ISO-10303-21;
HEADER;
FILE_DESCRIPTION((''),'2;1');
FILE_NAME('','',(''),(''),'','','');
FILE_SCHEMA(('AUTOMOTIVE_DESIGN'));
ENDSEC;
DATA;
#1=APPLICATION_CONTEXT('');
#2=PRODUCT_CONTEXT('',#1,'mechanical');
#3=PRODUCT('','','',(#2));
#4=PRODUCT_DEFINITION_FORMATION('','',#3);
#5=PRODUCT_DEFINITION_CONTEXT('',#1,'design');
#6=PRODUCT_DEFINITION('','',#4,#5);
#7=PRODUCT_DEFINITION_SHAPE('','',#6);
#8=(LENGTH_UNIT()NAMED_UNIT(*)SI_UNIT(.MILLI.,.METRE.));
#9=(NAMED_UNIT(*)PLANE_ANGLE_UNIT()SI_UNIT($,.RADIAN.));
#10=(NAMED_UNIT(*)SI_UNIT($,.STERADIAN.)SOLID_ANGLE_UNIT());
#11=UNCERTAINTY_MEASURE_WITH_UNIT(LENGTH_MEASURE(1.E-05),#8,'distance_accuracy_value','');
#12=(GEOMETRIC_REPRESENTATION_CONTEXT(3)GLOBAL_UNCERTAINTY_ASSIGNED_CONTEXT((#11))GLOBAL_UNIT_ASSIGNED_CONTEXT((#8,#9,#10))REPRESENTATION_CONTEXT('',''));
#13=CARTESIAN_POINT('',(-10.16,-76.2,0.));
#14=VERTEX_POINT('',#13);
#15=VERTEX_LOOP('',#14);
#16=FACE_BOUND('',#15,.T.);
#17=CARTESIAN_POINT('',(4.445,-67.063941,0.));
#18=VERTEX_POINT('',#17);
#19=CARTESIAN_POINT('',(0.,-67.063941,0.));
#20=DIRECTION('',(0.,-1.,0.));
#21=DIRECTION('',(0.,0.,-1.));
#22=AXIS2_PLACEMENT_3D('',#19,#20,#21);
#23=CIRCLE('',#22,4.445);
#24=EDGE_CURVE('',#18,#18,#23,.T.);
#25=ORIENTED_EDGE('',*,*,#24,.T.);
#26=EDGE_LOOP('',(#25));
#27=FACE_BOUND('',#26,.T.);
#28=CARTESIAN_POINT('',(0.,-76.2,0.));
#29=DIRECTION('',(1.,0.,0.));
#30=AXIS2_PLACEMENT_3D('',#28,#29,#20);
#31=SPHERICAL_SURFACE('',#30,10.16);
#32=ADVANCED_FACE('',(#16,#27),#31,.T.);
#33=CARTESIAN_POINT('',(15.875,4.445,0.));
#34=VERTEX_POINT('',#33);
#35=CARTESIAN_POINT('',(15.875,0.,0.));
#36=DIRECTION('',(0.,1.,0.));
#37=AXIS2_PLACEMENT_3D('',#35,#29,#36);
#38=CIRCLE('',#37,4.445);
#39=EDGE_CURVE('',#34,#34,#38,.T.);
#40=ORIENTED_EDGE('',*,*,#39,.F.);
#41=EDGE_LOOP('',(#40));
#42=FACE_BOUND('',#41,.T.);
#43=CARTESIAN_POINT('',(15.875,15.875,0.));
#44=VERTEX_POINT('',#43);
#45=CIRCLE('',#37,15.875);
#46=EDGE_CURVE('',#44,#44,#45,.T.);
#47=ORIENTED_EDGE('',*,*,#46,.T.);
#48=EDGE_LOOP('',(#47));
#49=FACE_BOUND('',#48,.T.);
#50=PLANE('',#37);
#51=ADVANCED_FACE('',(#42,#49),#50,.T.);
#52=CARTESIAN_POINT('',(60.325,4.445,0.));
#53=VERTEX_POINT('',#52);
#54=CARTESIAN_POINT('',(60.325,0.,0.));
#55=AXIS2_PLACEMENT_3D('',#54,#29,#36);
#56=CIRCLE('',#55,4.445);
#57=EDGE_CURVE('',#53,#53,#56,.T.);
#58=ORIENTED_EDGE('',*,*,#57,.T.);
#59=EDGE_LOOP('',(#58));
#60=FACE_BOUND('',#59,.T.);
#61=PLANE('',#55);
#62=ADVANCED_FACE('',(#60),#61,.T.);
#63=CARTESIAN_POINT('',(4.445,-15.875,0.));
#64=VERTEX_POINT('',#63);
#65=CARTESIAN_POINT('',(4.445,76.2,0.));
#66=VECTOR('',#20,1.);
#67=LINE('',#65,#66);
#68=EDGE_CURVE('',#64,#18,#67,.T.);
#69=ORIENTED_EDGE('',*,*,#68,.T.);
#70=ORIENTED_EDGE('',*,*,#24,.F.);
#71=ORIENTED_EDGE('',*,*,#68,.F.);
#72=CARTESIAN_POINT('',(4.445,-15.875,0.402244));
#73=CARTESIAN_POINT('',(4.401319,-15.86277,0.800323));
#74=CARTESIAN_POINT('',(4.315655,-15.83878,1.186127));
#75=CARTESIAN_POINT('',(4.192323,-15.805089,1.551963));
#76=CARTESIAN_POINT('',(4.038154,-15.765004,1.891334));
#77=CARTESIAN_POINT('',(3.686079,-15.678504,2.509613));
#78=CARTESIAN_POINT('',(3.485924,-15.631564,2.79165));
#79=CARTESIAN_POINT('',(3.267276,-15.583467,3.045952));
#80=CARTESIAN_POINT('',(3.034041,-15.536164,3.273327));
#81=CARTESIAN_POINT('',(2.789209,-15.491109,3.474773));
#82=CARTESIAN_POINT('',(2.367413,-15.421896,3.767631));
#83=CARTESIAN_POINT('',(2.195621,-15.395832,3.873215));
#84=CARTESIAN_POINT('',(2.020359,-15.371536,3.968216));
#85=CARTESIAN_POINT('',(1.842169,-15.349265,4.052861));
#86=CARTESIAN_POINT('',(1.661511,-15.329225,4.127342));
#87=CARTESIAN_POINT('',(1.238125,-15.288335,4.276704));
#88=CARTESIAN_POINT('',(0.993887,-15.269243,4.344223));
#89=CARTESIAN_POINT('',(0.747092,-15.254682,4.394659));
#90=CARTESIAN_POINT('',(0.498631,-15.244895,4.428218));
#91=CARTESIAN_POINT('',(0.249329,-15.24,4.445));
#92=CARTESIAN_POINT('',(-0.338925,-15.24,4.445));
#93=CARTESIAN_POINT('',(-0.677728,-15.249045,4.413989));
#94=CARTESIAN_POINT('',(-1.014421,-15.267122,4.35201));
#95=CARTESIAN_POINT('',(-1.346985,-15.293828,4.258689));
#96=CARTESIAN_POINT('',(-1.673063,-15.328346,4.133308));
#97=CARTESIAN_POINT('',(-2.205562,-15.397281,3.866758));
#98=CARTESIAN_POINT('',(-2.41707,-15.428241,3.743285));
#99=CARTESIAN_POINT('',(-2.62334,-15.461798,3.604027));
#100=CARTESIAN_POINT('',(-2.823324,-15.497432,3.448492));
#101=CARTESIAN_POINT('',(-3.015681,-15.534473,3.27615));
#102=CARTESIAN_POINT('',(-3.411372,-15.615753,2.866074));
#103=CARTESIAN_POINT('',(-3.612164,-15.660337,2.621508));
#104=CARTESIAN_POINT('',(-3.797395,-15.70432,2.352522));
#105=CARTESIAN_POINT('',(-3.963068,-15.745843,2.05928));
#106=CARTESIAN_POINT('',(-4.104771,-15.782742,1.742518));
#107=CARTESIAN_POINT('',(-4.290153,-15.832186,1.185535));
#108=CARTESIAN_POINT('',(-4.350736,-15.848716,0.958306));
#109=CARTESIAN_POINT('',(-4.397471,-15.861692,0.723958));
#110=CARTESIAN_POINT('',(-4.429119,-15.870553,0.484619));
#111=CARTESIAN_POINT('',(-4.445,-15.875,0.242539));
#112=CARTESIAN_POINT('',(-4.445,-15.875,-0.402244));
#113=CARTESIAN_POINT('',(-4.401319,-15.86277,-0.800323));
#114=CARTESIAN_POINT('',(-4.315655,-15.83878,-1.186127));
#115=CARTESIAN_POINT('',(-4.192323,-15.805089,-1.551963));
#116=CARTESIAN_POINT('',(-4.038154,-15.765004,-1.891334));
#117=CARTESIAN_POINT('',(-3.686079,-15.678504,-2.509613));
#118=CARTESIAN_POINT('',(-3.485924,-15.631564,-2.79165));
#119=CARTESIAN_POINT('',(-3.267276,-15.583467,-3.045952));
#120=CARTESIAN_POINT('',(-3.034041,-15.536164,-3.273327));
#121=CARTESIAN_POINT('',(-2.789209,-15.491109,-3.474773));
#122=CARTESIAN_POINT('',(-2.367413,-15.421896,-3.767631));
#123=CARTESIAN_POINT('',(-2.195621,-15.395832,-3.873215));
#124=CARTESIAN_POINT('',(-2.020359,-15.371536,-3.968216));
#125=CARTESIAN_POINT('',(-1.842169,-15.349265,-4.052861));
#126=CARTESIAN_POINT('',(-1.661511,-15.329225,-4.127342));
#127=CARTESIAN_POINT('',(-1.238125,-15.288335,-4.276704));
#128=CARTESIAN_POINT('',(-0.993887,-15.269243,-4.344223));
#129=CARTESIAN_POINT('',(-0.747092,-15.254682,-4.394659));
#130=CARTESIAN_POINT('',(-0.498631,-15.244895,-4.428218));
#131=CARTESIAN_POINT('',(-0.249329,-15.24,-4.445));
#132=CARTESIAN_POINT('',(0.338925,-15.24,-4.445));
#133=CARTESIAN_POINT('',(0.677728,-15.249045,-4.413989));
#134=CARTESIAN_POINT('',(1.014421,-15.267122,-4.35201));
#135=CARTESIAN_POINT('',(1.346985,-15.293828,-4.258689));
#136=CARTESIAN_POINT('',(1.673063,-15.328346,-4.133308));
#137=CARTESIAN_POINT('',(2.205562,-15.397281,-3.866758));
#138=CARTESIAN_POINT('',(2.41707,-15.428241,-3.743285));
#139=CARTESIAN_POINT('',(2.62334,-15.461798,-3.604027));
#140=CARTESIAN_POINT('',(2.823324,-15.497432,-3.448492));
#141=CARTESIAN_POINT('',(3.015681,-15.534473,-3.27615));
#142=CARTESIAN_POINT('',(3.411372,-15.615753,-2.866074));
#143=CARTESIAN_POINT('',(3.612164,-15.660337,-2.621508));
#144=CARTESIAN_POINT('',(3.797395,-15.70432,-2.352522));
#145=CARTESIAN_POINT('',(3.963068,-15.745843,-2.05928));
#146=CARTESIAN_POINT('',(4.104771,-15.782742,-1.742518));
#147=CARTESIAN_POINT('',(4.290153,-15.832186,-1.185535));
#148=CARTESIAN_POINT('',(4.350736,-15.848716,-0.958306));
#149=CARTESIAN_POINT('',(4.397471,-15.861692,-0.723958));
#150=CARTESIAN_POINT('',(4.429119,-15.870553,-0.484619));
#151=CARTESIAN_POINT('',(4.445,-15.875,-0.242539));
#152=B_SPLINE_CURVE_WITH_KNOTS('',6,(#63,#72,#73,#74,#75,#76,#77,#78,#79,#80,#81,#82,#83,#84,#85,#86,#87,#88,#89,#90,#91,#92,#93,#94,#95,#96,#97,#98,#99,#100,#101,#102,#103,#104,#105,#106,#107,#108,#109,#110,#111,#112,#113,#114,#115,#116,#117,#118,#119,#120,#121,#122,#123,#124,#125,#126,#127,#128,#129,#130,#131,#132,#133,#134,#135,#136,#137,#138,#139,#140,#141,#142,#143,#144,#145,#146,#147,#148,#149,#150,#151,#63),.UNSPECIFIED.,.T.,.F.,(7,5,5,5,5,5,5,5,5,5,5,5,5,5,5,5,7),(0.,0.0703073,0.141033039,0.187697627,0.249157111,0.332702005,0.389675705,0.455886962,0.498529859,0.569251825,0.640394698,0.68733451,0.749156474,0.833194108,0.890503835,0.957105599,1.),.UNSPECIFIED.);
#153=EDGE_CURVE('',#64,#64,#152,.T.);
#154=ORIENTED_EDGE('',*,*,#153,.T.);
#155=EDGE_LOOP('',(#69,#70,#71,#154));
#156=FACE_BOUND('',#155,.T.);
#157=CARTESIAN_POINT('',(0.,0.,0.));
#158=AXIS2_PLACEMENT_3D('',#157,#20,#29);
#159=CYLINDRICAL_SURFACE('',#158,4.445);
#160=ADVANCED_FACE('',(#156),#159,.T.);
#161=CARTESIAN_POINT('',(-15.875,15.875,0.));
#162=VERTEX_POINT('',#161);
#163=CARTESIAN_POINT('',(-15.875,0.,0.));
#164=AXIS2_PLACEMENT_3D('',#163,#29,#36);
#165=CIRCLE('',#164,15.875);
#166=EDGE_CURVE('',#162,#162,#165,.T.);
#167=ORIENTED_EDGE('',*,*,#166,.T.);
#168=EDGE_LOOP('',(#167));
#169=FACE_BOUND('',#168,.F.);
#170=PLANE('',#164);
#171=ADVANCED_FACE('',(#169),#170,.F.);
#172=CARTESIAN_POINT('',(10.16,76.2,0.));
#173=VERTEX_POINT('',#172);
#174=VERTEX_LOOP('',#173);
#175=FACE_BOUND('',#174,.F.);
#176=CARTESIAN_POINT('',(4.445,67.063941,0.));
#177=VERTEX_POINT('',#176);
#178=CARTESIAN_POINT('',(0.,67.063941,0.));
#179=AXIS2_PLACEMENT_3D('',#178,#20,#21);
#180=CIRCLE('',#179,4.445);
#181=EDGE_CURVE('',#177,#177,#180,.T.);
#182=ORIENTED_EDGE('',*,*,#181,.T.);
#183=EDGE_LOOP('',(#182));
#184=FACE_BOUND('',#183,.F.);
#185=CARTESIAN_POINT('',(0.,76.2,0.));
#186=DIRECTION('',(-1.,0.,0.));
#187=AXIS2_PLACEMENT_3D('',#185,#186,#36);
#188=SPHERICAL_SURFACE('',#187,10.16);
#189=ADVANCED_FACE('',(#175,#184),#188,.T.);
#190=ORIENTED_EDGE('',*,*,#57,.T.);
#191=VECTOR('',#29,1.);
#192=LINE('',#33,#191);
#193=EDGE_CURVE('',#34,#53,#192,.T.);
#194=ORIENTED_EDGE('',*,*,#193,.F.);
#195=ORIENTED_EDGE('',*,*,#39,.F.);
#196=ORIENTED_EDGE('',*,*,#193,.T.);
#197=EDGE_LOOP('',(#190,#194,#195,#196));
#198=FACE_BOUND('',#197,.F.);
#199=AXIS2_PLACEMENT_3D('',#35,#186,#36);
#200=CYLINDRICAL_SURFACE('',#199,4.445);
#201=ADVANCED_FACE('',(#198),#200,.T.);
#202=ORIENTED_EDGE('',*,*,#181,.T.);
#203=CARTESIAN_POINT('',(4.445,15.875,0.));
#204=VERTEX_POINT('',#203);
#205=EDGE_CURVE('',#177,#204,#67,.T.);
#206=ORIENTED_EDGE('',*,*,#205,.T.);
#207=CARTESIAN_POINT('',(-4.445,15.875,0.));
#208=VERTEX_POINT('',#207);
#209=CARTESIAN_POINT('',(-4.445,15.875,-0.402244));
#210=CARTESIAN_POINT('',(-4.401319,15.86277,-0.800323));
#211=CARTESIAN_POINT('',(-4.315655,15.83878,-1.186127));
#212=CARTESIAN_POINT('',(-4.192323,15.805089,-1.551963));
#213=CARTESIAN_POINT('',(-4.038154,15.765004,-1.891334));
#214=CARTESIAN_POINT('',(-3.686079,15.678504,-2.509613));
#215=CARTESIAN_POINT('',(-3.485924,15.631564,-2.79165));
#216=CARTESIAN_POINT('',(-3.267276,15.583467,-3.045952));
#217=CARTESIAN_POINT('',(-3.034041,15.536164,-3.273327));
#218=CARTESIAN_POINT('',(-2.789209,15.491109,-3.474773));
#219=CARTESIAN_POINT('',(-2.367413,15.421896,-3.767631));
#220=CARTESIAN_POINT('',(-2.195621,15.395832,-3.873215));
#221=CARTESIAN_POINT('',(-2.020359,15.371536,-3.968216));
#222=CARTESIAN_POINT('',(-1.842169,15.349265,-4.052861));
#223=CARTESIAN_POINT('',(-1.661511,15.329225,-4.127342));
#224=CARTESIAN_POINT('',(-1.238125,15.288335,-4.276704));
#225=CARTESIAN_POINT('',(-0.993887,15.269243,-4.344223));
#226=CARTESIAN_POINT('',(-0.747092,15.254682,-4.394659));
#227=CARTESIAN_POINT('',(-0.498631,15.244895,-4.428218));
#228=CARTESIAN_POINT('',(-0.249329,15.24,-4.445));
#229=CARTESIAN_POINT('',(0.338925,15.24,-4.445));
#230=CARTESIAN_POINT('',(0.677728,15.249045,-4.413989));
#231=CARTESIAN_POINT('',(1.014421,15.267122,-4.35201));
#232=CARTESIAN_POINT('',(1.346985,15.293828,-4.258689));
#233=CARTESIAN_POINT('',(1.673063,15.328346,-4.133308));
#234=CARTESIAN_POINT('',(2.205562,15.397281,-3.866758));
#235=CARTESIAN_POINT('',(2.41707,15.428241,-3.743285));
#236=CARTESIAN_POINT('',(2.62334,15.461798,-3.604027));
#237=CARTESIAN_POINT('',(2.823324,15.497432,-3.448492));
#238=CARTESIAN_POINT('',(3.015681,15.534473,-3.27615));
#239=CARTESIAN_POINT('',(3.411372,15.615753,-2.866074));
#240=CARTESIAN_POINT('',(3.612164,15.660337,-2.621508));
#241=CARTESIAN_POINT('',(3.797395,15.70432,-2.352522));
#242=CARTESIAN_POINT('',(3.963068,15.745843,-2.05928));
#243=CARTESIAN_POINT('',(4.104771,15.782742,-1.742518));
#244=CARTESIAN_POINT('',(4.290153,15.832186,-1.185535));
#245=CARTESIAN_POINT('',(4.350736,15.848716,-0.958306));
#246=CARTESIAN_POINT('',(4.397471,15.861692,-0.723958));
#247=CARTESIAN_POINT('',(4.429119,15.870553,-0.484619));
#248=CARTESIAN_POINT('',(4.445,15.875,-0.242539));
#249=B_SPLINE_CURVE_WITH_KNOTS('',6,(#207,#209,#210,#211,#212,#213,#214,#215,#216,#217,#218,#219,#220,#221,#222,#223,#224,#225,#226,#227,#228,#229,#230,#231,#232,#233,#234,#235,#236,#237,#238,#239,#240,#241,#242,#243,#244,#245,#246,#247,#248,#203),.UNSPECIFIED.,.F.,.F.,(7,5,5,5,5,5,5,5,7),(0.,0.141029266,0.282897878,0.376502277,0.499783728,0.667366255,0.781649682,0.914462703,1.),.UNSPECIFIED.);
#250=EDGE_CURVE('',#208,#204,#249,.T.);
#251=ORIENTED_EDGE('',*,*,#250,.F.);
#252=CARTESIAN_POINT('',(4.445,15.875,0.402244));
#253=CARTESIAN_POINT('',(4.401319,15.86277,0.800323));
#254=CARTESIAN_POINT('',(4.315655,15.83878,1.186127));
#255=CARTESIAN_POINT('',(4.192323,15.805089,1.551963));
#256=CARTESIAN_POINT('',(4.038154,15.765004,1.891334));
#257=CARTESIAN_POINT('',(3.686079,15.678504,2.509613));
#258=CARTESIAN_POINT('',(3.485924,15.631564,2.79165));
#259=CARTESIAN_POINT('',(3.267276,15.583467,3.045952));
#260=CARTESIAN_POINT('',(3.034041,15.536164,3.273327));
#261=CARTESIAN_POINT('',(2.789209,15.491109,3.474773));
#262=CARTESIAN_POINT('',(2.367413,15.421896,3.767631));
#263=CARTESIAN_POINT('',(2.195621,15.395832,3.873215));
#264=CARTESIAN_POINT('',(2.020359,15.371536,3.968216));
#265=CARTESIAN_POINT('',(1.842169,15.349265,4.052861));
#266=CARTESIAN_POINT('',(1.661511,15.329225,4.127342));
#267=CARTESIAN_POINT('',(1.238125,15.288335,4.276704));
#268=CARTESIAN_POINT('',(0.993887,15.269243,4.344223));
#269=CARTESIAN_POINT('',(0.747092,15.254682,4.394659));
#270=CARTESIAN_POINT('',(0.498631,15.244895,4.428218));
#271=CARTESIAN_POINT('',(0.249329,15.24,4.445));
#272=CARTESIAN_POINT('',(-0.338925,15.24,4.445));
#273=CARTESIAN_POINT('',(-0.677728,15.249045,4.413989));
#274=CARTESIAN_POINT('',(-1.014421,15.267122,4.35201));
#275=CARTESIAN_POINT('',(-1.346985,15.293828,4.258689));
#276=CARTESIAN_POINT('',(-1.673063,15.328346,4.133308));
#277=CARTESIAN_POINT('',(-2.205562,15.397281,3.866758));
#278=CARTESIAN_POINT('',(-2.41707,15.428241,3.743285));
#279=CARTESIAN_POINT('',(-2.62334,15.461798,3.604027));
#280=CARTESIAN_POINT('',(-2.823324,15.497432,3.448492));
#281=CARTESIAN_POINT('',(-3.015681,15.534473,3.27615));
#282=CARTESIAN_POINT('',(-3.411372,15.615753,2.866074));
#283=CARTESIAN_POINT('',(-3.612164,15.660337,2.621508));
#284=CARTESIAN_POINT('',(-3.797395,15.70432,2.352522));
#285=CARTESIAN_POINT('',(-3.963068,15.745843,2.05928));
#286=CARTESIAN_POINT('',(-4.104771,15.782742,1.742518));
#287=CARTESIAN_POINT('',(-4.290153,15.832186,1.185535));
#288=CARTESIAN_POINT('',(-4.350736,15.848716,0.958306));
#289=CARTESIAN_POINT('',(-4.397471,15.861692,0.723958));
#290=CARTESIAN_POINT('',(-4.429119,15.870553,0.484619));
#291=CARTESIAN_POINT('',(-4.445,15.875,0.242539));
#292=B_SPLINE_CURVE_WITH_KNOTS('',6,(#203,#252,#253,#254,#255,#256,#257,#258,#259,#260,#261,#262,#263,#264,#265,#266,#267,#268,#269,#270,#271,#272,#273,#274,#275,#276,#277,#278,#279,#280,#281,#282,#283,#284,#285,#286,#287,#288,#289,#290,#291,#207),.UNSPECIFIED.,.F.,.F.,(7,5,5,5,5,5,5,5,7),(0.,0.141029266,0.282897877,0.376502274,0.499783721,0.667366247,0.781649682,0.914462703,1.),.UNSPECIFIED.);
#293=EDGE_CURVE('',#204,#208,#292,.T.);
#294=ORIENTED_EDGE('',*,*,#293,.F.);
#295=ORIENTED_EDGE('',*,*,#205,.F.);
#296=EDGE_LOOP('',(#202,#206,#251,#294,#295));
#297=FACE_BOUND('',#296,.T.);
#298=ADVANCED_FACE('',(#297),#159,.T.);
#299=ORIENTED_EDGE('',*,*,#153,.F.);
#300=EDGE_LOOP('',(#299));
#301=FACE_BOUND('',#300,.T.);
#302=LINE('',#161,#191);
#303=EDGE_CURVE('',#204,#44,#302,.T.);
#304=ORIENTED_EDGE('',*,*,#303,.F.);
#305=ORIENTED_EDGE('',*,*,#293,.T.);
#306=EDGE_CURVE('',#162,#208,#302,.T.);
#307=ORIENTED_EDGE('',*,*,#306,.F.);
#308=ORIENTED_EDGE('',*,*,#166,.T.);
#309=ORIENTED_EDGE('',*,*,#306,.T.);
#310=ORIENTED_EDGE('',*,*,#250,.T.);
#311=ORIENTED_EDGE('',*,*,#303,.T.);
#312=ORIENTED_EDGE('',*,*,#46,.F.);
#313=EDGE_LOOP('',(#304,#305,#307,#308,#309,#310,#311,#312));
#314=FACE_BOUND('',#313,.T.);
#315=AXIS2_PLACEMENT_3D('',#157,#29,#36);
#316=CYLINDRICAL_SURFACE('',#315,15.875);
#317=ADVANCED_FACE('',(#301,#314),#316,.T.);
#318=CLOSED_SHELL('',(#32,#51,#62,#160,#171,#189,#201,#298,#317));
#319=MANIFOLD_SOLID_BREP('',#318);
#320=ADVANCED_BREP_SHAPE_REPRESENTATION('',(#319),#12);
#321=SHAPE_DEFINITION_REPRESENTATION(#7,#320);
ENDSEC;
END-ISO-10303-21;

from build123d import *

# Parameters (mm, degrees)
F0_R     = 15.875
F1_DEPTH = 15.875
F2_R     = 4.445
F3_DEPTH = 44.45
F4_R     = 4.445
F5_DEPTH = 76.2


with BuildPart() as f1:
    # F0 (on Right) → F1 (new body, symmetric)
    with BuildSketch(Plane.YZ):
        Circle(F0_R)
    extrude(amount=F1_DEPTH, both=True)

    # F2 (on face) → F3 (join)
    with BuildSketch(Plane.YZ.offset(15.875)):
        Circle(F2_R)
    extrude(amount=F3_DEPTH)

    # F4 (on Front) → F5 (join, symmetric)
    with BuildSketch(Plane.XZ):
        Circle(F4_R)
    extrude(amount=F5_DEPTH, both=True)

    # F6 (on Top) → F7 (revolve)
    with BuildSketch(Plane.XY):
        with BuildLine():
            Line((-4.445, 76.2), (4.445, 76.2))
            Line((4.445, 76.2), (10.16, 76.2))
            ThreePointArc((10.16, 76.2), (0, 86.36), (-10.16, 76.2))
            Line((-10.16, 76.2), (-4.445, 76.2))
        make_face()
    revolve(axis=Axis((14.6032162011, 76.2, 0), (1, 0, 0)))

    # F8 (on Top) → F9 (revolve)
    with BuildSketch(Plane.XY):
        with BuildLine():
            Line((10.16, -76.2), (-10.16, -76.2))
            ThreePointArc((-10.16, -76.2), (0, -86.36), (10.16, -76.2))
        make_face()
    revolve(axis=Axis((4.1940081865, -76.2, 0), (1, 0, 0)))


solid = f1.part
